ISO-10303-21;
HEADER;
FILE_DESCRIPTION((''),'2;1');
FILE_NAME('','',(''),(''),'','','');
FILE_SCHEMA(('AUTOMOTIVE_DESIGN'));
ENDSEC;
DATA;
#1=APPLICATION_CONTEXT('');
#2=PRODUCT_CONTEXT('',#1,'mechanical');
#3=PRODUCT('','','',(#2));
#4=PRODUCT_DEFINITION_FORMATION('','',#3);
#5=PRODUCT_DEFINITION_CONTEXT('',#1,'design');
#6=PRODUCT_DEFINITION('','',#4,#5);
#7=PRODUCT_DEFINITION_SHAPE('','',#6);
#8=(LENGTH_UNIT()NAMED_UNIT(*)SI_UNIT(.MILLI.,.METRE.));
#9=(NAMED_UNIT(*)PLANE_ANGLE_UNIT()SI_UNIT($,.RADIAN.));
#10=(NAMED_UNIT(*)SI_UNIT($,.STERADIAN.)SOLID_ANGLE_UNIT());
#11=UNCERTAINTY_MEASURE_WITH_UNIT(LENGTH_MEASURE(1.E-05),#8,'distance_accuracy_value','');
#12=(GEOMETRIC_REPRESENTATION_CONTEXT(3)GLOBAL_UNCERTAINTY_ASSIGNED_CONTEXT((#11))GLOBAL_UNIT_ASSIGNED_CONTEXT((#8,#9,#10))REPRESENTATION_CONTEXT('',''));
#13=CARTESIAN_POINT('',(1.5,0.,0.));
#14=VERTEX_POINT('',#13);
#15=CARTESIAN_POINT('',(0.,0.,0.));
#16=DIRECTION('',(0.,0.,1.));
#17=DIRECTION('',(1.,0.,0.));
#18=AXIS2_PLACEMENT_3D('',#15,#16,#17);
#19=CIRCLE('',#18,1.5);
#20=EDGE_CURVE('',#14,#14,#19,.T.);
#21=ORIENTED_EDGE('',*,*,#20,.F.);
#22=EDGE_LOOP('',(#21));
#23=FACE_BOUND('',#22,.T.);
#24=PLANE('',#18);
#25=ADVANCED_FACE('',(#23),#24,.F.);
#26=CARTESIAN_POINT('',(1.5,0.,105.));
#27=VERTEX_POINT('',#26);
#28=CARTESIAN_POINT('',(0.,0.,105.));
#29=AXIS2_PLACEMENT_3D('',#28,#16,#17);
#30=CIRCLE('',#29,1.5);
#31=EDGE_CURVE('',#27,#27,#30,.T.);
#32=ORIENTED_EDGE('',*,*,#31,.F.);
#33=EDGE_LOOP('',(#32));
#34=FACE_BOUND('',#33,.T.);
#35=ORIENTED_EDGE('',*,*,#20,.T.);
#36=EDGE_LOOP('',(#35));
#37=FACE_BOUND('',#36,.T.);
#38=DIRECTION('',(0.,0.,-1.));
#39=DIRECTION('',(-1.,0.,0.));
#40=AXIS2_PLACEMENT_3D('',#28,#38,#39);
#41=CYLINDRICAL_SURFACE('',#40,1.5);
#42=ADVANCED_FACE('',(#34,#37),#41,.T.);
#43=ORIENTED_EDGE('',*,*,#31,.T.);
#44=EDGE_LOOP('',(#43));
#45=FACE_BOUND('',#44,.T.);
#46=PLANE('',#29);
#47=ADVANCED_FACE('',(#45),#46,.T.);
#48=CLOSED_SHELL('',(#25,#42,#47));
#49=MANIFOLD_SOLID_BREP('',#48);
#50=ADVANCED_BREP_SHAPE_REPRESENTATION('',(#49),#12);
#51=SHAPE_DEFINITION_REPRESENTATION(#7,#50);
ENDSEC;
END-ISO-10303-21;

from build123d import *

# Parameters (mm, degrees)
SKETCH1_R           = 1.5
BOSS_EXTRUDE1_DEPTH = 105


with BuildPart() as part:
    # Sketch1 → Boss-Extrude1 (new body)
    with BuildSketch(Plane.XY):
        Circle(SKETCH1_R)
    extrude(amount=BOSS_EXTRUDE1_DEPTH)


solid = part.part
